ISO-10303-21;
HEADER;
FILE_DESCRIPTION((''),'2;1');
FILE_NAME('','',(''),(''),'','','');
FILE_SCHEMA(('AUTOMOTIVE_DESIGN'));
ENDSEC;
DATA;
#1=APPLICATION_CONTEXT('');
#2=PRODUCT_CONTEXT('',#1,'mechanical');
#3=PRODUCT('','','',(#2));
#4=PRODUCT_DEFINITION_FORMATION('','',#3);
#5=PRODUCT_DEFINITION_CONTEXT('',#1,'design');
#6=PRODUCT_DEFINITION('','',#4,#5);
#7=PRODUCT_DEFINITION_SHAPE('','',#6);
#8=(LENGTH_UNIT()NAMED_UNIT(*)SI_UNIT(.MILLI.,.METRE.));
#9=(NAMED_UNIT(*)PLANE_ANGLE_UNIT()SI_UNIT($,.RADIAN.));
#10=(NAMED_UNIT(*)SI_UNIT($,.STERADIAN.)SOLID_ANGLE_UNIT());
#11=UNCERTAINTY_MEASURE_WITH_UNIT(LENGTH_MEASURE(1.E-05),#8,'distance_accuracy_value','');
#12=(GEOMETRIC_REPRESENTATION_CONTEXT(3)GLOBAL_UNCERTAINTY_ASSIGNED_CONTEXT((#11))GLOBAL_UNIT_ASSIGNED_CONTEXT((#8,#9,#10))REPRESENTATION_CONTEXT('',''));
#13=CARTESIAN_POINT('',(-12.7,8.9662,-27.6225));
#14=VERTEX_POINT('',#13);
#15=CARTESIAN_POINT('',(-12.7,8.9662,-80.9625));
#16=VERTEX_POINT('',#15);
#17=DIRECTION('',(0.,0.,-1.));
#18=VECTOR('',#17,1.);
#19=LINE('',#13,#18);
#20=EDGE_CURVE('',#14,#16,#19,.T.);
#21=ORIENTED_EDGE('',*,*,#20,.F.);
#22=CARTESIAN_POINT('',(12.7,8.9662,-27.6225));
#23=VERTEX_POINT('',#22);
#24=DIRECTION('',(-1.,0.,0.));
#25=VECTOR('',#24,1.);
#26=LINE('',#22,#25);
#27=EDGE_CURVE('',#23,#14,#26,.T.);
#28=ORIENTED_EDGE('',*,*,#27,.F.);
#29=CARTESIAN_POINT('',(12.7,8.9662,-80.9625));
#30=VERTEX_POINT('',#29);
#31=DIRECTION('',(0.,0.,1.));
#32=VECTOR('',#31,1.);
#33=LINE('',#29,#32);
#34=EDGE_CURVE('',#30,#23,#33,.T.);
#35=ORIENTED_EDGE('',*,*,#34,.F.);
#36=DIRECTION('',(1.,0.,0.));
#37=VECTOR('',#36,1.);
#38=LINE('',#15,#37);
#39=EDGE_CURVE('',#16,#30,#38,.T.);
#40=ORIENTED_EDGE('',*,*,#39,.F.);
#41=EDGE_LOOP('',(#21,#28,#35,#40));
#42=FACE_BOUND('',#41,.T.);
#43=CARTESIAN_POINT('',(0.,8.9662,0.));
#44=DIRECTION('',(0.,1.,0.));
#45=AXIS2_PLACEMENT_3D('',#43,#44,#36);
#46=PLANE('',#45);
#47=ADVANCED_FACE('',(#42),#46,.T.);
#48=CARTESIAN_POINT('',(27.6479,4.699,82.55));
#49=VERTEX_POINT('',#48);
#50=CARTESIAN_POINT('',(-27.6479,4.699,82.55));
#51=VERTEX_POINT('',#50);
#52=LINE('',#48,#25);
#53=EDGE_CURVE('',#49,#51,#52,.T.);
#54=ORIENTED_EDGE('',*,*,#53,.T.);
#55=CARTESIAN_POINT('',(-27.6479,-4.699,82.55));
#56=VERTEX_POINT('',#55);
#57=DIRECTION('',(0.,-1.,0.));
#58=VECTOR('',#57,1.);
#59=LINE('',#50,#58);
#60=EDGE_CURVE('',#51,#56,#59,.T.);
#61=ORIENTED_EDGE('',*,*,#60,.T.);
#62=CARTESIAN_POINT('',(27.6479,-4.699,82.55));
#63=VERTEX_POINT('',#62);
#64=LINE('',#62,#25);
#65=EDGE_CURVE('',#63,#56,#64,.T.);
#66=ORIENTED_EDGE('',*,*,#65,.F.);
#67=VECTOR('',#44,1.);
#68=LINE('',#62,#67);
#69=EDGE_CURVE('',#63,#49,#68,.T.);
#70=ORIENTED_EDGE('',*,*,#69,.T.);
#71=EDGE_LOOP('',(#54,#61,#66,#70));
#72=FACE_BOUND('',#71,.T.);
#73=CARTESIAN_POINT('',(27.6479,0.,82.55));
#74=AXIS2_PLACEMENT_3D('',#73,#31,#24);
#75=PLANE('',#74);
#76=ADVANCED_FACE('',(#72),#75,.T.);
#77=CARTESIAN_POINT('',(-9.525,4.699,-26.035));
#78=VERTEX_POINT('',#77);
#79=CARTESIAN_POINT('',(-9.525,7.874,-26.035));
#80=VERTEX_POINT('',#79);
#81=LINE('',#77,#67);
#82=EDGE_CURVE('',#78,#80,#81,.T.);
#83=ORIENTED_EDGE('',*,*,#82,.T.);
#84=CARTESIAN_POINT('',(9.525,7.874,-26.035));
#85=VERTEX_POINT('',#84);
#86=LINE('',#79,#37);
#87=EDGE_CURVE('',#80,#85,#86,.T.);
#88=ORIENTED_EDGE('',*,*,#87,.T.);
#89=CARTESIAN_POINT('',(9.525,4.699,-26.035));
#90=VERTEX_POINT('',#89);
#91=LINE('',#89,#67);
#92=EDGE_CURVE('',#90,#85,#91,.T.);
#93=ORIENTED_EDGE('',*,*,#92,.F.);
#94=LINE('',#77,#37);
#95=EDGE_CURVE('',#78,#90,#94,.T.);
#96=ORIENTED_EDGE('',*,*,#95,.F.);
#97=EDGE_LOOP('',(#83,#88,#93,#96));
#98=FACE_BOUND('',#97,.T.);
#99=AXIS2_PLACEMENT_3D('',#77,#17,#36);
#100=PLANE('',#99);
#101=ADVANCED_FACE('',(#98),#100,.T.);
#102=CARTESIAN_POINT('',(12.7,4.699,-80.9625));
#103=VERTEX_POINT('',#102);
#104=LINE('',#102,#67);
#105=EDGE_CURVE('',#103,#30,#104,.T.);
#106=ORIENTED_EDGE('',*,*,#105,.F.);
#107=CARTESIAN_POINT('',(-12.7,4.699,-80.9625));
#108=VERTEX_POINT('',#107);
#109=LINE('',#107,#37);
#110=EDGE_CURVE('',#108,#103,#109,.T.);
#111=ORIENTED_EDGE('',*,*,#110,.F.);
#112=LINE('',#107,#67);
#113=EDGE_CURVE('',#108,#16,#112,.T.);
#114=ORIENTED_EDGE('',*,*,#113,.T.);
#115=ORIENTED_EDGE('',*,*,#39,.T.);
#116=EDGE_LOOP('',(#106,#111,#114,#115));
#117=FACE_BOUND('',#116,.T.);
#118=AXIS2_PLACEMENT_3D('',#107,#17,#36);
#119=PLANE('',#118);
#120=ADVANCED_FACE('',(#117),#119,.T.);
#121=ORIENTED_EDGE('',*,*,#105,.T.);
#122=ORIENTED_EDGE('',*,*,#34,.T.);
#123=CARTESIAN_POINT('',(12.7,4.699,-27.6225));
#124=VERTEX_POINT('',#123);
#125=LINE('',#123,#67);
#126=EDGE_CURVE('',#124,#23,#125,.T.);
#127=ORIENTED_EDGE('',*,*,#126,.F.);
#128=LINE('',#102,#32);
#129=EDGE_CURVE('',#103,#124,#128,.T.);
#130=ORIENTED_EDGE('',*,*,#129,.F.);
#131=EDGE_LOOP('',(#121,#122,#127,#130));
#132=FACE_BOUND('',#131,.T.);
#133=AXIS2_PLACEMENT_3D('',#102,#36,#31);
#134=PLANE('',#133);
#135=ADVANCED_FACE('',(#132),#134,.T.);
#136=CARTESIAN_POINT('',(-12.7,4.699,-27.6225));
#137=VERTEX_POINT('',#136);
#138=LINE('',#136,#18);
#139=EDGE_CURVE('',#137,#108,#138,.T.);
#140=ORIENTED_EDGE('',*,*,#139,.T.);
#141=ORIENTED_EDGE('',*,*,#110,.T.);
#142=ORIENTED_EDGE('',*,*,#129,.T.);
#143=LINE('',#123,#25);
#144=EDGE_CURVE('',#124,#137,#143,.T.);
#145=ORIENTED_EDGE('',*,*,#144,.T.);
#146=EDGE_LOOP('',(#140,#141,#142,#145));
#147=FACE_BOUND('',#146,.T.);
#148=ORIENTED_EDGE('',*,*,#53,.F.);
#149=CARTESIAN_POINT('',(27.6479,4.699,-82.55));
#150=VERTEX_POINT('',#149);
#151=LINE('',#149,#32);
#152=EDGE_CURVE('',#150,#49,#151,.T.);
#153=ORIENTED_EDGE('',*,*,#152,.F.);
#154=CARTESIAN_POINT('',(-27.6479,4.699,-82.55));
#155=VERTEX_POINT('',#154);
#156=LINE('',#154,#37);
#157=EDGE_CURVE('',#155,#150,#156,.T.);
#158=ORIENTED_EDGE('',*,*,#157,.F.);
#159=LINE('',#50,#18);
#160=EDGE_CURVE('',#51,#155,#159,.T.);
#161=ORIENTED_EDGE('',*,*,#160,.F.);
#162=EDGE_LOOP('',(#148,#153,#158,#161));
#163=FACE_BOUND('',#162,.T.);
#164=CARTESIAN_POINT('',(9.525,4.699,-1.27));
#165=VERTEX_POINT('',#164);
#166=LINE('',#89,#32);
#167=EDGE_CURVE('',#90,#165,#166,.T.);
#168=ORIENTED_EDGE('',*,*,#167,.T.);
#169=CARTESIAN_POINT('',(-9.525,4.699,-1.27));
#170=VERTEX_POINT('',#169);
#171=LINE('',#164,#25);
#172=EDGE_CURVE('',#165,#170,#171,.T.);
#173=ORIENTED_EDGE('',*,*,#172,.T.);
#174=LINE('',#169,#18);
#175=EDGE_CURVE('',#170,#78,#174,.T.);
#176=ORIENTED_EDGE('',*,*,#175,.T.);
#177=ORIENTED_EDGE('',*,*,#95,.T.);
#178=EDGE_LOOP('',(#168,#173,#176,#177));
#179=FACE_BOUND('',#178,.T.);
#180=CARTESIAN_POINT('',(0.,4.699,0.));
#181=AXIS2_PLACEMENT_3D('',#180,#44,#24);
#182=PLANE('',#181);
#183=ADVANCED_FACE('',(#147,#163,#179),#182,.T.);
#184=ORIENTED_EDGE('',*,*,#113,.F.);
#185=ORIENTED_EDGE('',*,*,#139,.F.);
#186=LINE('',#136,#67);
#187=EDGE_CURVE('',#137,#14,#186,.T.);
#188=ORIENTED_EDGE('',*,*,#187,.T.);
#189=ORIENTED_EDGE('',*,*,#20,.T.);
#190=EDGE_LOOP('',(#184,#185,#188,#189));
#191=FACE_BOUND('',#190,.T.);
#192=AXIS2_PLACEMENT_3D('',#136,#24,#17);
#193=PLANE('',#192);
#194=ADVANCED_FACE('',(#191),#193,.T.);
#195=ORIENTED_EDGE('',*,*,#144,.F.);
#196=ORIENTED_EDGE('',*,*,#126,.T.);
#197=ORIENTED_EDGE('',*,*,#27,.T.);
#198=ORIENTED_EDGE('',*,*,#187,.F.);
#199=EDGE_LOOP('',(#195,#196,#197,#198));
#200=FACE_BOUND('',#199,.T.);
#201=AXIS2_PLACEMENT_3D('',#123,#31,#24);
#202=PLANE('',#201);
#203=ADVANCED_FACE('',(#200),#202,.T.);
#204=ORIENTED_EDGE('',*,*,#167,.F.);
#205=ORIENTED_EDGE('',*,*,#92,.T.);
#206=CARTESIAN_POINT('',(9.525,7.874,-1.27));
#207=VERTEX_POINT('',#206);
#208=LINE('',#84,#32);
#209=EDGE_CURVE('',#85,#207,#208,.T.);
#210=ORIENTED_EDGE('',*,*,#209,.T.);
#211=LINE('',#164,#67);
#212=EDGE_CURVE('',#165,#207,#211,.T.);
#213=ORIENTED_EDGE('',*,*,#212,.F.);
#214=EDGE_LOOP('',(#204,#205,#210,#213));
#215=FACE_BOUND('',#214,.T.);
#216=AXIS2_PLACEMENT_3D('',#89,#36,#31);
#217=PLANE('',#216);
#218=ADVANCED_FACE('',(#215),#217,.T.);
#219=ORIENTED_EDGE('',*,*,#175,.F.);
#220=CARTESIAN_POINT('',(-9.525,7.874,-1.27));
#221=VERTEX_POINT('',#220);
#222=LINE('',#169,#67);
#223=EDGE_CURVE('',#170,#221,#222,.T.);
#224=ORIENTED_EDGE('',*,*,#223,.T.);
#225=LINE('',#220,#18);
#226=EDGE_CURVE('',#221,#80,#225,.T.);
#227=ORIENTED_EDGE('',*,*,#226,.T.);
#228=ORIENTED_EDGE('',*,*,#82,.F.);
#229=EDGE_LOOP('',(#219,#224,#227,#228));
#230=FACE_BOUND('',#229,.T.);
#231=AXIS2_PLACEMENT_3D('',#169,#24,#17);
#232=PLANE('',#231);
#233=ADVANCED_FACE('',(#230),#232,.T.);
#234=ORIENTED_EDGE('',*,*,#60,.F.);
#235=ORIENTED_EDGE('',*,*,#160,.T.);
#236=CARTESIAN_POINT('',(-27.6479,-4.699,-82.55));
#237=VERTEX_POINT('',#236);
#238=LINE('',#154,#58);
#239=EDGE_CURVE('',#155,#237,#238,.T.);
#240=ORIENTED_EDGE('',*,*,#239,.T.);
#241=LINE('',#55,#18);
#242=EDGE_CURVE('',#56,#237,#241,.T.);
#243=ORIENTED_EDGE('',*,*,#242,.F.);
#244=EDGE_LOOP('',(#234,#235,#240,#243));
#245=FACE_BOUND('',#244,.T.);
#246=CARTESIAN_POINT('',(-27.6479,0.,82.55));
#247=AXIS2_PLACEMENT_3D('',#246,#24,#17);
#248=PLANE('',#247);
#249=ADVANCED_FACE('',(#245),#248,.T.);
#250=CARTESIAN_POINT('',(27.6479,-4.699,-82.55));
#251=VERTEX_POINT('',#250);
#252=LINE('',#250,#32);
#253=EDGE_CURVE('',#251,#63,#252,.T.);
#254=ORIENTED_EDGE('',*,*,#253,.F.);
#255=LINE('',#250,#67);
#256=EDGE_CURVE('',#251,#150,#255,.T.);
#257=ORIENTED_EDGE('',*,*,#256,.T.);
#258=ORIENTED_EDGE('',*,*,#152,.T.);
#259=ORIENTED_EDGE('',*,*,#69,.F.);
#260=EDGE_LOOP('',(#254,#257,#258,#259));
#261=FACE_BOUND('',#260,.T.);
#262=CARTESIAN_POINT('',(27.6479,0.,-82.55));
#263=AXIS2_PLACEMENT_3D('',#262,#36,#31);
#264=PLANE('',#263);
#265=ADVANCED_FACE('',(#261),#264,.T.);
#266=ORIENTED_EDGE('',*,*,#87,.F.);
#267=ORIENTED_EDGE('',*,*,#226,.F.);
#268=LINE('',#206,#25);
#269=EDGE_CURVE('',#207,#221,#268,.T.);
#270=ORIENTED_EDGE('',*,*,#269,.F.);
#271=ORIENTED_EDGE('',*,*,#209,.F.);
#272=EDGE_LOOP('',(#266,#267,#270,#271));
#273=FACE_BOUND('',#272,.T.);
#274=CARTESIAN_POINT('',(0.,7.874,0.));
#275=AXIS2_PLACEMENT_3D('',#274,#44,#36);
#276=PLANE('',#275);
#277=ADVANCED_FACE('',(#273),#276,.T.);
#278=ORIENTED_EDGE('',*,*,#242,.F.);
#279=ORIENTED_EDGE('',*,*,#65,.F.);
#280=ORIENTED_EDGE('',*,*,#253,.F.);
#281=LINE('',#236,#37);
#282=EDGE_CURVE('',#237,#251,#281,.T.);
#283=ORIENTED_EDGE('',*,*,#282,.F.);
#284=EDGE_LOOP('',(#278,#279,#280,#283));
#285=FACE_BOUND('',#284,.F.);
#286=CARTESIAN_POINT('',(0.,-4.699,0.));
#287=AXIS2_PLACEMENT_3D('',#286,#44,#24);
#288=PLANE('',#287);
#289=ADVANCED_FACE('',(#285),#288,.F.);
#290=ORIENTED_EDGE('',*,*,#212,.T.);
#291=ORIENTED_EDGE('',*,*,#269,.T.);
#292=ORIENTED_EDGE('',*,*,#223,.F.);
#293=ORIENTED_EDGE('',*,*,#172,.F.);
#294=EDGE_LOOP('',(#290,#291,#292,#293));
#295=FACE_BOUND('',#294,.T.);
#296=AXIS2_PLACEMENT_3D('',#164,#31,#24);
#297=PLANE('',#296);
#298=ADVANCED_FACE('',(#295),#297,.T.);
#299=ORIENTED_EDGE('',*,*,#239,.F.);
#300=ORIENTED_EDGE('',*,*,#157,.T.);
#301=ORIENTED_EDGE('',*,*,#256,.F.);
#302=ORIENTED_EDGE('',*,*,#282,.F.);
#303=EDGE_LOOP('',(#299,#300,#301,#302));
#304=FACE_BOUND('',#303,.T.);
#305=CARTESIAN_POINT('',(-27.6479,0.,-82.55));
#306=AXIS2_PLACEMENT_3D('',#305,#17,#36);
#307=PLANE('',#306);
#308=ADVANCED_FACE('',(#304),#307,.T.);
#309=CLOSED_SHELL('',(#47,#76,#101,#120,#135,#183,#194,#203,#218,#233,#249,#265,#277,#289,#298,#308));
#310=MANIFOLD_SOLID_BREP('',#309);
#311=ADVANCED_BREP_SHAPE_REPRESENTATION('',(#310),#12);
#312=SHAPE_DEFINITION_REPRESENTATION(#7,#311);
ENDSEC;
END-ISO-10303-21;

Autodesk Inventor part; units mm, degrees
ref_plane "YZ Plane" through (0, 0, 0) normal (1, 0, 0) x (0, 1, 0)
ref_plane "XZ Plane" through (0, 0, 0) normal (0, 1, 0) x (-1, 0, 0)
ref_plane "XY Plane" through (0, 0, 0) normal (0, 0, 1) x (1, 0, 0)
sketch "Sketch1" plane through (0, 0, 0) normal (0, 1, 0) x (-1, 0, 0)
  line L0 (-27.6479, 82.55) -> (27.6479, 82.55)
  line L1 (27.6479, 82.55) -> (27.6479, -82.55)
  line L2 (27.6479, -82.55) -> (-27.6479, -82.55)
  line L3 (-27.6479, -82.55) -> (-27.6479, 82.55)
  line L4 (-27.6479, 82.55) -> (27.6479, -82.55) construction
  line L5 (27.6479, 82.55) -> (-27.6479, -82.55) construction
  point P0 (0, 0)
  dimension "BreadboardWidth" = 55.2958
  dimension "BreadboardLength" = 165.1
extrude "Breadboard" add sketch "Sketch1" along normal mid plane 9.398
sketch "Sketch2" plane through (0, 4.699, 0) normal (0, 1, 0) x (1, 0, 0)
  line L0 (12.7, 27.6225) -> (-12.7, 27.6225)
  line L1 (-12.7, 27.6225) -> (-12.7, 80.9625)
  line L2 (-12.7, 80.9625) -> (12.7, 80.9625)
  line L3 (12.7, 80.9625) -> (12.7, 27.6225)
  line L4 (12.7, 27.6225) -> (-12.7, 80.9625) construction
  line L5 (-12.7, 27.6225) -> (12.7, 80.9625) construction
  line L6 (27.6479, 82.55) -> (-27.6479, 82.55) projected
  point P0 (0, 0)
  point P1 (0, 54.2925)
  dimension "d4" = 25.4
  dimension "d5" = 53.34
  dimension "d6" = 1.5875
extrude "mBed" add sketch "Sketch2" along normal blind 4.2672
sketch "Sketch3" plane through (0, 4.699, 0) normal (0, 1, 0) x (1, 0, 0)
  line L0 (9.525, 1.27) -> (-9.525, 1.27)
  line L1 (-9.525, 1.27) -> (-9.525, 26.035)
  line L2 (-9.525, 26.035) -> (9.525, 26.035)
  line L3 (9.525, 26.035) -> (9.525, 1.27)
  line L4 (9.525, 1.27) -> (-9.525, 26.035) construction
  line L5 (-9.525, 1.27) -> (9.525, 26.035) construction
  line L6 (-12.7, 27.6225) -> (12.7, 27.6225) projected
  point P0 (0, 0)
  point P1 (0, 13.6525)
  dimension "d9" = 19.05
  dimension "d10" = 24.765
  dimension "d11" = 1.5875
extrude "Bluetooth Chip" add sketch "Sketch3" along normal blind 3.175
properties part number "Breadboard"
